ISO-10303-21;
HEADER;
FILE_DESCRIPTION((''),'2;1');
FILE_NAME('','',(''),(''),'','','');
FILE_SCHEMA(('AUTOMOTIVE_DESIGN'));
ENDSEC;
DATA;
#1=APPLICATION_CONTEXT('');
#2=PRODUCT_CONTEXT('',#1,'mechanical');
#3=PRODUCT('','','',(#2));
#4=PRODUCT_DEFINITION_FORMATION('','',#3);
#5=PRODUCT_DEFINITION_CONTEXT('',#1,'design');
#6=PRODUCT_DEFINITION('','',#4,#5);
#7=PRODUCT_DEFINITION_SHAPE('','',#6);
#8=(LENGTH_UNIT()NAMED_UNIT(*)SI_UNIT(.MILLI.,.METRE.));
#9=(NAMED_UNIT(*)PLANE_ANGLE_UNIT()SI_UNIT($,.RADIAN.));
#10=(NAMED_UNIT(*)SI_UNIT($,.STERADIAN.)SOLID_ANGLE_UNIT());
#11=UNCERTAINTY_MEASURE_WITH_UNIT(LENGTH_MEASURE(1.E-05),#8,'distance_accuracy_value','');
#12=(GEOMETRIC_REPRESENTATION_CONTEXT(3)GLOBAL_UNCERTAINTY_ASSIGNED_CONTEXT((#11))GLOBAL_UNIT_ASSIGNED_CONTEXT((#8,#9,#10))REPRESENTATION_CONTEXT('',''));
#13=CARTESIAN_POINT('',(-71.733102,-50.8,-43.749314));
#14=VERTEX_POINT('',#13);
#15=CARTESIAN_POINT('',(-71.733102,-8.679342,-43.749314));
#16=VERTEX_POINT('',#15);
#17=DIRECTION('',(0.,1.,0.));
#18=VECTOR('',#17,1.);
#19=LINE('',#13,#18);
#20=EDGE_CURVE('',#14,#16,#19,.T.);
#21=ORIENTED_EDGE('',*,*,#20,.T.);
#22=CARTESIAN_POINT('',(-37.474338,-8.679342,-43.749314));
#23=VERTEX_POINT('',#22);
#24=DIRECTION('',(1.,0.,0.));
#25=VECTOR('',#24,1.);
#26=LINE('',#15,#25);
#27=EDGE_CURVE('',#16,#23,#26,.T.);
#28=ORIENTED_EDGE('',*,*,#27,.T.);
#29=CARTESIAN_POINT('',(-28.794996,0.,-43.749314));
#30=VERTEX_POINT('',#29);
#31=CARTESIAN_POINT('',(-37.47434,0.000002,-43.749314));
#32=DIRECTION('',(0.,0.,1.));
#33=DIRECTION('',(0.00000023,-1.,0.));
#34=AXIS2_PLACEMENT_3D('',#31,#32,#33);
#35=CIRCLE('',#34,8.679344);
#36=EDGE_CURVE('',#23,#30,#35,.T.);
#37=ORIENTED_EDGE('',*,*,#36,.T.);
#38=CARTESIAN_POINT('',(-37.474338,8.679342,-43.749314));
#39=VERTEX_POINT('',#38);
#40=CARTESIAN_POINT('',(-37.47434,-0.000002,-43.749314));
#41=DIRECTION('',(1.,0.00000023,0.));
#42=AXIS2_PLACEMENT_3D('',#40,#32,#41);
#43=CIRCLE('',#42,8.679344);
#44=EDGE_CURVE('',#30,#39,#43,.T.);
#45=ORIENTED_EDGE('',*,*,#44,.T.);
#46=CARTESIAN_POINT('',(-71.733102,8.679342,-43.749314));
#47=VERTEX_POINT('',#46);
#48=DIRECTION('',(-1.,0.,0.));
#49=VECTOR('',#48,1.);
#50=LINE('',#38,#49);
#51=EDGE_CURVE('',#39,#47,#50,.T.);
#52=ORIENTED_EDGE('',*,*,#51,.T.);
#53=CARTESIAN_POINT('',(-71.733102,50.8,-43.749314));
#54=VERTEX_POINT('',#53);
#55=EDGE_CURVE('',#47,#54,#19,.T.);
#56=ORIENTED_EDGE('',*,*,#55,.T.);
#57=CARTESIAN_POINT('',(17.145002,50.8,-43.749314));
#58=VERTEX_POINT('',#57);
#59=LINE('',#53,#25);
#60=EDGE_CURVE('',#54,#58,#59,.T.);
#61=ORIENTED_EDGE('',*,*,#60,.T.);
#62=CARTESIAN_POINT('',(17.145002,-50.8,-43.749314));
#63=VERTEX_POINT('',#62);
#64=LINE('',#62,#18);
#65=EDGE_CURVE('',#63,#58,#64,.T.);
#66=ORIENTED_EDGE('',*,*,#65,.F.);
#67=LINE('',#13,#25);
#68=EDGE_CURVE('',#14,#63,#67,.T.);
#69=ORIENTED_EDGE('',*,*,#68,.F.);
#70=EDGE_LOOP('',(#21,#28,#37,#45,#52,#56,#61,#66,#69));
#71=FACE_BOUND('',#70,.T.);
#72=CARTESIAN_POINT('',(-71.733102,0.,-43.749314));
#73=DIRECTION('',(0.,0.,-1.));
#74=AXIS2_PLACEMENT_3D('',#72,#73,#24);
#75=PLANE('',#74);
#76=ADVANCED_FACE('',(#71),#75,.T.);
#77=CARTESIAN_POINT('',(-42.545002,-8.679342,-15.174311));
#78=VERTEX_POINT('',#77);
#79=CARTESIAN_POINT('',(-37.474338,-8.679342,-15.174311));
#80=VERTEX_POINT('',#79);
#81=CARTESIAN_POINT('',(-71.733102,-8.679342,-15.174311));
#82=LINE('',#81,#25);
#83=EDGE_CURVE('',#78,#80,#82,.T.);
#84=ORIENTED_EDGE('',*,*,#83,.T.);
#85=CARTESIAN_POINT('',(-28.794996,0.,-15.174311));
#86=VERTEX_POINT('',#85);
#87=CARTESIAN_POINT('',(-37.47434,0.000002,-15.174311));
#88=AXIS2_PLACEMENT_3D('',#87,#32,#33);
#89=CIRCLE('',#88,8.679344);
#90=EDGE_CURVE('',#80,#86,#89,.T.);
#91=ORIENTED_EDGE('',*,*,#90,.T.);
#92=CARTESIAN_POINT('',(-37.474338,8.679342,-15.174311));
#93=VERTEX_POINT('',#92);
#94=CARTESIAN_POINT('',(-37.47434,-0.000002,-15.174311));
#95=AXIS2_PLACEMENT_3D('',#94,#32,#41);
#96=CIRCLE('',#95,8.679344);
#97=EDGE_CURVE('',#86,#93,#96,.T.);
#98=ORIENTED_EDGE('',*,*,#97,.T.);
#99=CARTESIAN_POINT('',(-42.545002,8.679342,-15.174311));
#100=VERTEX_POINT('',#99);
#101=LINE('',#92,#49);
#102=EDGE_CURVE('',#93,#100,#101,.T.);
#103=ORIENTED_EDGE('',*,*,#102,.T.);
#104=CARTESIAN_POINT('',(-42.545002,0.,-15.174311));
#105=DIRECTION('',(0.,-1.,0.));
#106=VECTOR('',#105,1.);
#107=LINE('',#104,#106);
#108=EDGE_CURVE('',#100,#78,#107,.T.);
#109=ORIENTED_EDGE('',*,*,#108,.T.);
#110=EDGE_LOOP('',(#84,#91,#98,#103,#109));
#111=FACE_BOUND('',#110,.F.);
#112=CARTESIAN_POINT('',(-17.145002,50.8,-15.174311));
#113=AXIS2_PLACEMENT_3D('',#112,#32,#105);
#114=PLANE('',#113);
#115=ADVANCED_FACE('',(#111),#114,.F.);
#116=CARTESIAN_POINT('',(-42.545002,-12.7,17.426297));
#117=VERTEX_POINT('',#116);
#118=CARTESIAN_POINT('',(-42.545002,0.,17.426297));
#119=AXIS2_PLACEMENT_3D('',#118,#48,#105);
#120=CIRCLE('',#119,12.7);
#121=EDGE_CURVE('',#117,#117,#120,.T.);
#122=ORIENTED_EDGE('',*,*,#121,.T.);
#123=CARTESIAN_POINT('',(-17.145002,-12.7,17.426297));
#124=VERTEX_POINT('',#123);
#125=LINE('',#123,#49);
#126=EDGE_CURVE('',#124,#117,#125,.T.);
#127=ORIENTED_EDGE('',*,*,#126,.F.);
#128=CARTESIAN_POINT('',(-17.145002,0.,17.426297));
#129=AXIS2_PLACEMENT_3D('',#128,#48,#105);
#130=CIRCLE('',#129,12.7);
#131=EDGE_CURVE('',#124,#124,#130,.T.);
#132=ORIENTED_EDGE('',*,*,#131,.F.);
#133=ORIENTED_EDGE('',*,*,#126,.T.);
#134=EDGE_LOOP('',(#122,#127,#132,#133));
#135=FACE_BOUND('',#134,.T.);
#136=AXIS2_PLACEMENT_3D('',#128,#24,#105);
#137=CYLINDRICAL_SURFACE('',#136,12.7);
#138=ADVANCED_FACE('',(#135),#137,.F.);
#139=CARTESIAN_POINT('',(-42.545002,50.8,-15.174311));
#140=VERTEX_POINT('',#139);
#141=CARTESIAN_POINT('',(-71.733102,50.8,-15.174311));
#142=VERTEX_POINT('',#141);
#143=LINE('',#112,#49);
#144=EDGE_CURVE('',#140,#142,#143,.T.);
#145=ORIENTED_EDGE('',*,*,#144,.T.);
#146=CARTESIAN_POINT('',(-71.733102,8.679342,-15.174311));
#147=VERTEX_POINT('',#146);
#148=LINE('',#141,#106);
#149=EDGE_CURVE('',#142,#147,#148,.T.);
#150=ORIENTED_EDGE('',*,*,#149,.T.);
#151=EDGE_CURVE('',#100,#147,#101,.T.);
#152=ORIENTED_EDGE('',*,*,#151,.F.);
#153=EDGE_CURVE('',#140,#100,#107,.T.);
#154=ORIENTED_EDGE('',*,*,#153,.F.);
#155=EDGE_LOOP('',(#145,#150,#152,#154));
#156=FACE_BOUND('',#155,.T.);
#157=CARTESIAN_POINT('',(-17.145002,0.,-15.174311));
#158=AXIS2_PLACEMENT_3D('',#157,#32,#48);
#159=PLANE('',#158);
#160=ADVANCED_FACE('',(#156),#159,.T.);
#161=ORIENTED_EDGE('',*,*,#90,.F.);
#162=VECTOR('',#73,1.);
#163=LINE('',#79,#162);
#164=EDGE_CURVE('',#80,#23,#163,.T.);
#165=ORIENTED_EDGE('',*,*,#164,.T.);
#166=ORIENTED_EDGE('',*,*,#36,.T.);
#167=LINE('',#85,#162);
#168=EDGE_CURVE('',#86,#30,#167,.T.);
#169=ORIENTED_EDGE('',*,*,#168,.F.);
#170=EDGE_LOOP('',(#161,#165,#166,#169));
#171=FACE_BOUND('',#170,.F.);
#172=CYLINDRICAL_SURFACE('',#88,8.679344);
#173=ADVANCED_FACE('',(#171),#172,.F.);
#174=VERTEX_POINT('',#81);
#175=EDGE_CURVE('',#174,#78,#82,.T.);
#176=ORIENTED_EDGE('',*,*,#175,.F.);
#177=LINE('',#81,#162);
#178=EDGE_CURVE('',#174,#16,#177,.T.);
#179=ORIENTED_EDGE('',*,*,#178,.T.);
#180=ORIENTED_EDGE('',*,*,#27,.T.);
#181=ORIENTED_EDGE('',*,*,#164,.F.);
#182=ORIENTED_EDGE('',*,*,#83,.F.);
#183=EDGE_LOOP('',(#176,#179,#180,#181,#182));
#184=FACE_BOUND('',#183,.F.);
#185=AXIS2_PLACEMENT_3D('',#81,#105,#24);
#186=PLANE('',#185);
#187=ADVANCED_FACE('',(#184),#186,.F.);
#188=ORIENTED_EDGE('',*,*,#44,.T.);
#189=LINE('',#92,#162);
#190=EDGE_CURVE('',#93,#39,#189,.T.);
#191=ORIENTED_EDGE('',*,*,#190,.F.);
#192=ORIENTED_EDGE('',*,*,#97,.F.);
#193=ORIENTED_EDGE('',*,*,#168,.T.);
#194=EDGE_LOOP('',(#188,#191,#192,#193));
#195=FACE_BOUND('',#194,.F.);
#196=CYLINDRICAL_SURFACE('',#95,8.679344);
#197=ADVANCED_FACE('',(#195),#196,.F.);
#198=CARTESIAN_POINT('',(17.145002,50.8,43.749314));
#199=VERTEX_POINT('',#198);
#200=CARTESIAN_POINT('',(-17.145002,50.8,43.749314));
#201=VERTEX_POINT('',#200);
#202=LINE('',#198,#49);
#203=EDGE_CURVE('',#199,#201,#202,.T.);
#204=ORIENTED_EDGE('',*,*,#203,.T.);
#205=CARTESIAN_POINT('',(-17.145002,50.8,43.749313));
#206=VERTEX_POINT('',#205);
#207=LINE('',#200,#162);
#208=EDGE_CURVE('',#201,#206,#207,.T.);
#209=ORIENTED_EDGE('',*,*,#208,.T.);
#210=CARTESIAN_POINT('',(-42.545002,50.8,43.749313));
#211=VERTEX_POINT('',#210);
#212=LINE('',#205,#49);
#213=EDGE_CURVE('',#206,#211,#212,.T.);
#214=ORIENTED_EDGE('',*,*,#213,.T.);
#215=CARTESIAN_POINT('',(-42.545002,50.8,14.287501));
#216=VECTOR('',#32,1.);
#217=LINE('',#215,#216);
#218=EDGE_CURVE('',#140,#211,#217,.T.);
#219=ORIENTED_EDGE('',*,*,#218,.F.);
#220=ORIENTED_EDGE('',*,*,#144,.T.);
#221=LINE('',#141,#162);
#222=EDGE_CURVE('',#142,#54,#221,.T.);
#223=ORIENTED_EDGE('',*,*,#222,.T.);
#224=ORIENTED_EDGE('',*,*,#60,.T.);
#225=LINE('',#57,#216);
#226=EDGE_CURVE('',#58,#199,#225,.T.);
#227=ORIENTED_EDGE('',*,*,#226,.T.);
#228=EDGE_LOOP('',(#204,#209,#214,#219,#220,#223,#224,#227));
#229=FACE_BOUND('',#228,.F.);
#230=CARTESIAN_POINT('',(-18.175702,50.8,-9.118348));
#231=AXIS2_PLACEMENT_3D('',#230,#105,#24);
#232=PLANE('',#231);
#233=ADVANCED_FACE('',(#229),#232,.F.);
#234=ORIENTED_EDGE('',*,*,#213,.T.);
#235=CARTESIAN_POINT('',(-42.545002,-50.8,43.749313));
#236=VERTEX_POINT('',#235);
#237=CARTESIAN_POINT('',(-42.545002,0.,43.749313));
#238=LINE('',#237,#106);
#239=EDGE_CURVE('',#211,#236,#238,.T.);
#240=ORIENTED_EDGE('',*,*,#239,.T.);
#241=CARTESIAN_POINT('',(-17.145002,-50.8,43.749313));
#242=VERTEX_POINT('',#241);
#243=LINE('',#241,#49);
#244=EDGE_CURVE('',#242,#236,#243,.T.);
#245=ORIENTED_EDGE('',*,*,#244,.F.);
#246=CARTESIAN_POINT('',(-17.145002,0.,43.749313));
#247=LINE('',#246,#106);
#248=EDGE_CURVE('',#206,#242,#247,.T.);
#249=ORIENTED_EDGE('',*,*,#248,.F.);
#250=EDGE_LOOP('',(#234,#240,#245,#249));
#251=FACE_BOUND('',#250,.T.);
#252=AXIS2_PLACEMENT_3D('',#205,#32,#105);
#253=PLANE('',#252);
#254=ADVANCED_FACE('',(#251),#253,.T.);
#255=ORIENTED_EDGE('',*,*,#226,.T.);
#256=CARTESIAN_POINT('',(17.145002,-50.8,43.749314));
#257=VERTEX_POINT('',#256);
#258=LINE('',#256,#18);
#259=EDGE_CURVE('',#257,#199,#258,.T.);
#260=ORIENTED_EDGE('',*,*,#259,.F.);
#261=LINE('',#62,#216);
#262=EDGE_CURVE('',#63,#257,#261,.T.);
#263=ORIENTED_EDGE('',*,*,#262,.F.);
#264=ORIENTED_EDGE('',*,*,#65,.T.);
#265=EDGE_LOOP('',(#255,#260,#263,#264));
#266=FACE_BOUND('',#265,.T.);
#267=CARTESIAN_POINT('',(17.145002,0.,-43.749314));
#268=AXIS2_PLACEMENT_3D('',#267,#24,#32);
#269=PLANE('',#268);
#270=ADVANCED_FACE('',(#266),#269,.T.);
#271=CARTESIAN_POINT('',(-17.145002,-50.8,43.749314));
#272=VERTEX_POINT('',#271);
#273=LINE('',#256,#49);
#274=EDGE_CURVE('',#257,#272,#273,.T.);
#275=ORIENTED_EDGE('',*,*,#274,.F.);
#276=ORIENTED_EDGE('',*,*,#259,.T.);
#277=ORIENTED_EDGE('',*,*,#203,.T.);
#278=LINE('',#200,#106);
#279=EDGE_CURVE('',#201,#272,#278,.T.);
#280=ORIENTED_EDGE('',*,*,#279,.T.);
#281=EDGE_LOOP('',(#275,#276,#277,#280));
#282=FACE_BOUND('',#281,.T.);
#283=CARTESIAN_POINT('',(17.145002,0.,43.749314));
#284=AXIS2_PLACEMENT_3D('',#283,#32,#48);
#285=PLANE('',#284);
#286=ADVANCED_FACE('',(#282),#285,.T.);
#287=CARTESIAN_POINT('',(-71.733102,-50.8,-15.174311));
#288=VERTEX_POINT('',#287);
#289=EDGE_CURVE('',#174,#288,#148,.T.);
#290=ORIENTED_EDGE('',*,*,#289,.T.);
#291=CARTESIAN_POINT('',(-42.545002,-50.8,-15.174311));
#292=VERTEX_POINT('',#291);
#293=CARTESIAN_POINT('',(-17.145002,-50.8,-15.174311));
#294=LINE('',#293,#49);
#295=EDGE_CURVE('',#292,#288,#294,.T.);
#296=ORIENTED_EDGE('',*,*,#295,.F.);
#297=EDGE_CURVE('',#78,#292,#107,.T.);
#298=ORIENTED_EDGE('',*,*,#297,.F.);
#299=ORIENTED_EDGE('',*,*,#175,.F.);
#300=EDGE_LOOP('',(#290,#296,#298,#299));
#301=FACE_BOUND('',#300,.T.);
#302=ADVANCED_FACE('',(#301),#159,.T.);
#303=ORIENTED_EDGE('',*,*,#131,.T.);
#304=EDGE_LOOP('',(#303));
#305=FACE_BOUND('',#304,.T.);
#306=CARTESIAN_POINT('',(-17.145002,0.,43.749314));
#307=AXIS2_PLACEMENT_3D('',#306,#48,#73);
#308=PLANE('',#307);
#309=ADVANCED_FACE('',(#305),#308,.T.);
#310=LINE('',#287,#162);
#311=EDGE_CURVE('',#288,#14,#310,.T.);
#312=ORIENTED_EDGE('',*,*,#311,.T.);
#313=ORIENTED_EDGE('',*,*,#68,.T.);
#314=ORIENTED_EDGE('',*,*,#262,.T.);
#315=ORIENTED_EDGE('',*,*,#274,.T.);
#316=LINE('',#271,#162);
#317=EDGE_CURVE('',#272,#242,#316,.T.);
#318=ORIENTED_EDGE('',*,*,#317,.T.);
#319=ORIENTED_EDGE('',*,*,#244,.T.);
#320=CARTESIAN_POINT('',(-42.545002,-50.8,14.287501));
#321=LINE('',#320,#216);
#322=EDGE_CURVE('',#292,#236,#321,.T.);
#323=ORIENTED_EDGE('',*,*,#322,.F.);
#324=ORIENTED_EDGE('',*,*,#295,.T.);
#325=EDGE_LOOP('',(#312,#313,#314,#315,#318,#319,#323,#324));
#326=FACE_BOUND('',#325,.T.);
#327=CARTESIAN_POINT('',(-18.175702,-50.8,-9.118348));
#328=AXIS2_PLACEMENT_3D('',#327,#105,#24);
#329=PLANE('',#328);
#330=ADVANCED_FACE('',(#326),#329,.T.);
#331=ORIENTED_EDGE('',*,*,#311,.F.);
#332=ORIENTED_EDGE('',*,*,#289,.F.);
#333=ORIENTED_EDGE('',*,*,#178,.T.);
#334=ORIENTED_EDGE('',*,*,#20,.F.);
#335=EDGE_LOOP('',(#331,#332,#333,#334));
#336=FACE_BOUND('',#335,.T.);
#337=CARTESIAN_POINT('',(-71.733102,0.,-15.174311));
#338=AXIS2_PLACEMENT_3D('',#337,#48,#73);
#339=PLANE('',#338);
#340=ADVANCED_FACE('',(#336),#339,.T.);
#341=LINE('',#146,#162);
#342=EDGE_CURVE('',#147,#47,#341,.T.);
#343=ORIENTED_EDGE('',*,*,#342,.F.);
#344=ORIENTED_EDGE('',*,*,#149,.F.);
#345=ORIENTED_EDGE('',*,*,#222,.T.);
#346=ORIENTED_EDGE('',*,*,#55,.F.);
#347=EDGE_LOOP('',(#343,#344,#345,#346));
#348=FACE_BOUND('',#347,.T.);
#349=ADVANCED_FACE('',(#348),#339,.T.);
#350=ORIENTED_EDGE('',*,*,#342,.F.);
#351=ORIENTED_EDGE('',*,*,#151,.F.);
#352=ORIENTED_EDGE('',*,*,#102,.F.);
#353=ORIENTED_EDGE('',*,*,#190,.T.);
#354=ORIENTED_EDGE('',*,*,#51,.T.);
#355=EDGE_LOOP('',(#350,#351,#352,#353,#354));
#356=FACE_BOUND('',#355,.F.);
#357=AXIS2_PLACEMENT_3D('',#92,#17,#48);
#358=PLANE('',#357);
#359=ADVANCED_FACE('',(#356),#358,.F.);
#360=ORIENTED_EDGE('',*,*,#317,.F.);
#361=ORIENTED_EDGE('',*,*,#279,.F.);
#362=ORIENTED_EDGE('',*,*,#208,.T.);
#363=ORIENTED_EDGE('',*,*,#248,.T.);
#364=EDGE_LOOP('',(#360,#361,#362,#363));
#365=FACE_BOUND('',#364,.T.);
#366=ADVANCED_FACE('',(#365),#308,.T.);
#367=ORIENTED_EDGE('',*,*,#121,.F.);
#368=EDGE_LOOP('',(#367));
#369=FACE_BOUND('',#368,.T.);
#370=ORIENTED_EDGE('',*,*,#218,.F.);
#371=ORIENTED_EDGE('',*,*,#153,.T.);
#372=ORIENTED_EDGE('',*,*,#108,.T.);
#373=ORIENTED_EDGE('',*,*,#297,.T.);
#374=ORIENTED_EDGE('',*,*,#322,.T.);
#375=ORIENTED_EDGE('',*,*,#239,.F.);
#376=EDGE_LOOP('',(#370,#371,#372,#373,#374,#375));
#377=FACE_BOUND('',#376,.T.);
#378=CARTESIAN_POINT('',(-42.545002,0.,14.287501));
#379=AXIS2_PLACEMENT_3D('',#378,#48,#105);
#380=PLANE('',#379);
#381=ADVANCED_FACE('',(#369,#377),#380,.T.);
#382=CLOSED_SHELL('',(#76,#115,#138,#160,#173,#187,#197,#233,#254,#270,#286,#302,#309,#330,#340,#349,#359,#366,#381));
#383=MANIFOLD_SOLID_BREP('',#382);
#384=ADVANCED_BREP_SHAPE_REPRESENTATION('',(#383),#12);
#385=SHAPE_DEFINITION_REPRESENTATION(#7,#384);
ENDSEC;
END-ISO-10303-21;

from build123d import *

# Parameters (mm, degrees)
F1_DEPTH = 50.8
F3_DEPTH = 28.575003
F4_W     = 101.6
F4_H     = 58.923625
F4_R     = 12.7
F5_DEPTH = 25.4


with BuildPart() as f1:
    # F0 (on Front) → F1 (new body, symmetric)
    with BuildSketch(Plane.XZ):
        Polygon((17.145002, -15.174311), (17.145002, 43.749314), (-17.145002, 43.749314), (-17.145002, -15.174311), (-71.733102, -15.174311), (-71.733102, -43.749314), (-17.145002, -43.749314), (17.145002, -43.749314), align=None)
    extrude(amount=F1_DEPTH, both=True)

    # F2 (on face) → F3 (cut, through all)
    with BuildSketch(Plane.XY.offset(-15.174311)):
        with BuildLine():
            ThreePointArc((-37.474338, -8.679342), (-46.153679, 0), (-37.474338, 8.679342))
            Line((-37.474338, 8.679342), (-71.733102, 8.679342))
            Line((-71.733102, 8.679342), (-71.733102, -8.679342))
            Line((-71.733102, -8.679342), (-37.474338, -8.679342))
        make_face()
        with BuildLine():
            ThreePointArc((-37.474338, -8.679342), (-31.337117, -6.137221), (-28.794996, 0))
            ThreePointArc((-28.794996, 0), (-31.337117, 6.137221), (-37.474338, 8.679342))
            ThreePointArc((-37.474338, 8.679342), (-46.153679, 0), (-37.474338, -8.679342))
        make_face()
    extrude(amount=-F3_DEPTH, mode=Mode.SUBTRACT)

    # F4 (on face) → F5 (join)
    with BuildSketch(Plane(origin=(-17.145002, 0, 0), x_dir=(0, -1, 0), z_dir=(-1, 0, 0))):
        with Locations((0, 14.287501)):
            Rectangle(F4_W, F4_H)
        with Locations((0, 17.426297)):
            Circle(F4_R, mode=Mode.SUBTRACT)
    extrude(amount=F5_DEPTH)


solid = f1.part
